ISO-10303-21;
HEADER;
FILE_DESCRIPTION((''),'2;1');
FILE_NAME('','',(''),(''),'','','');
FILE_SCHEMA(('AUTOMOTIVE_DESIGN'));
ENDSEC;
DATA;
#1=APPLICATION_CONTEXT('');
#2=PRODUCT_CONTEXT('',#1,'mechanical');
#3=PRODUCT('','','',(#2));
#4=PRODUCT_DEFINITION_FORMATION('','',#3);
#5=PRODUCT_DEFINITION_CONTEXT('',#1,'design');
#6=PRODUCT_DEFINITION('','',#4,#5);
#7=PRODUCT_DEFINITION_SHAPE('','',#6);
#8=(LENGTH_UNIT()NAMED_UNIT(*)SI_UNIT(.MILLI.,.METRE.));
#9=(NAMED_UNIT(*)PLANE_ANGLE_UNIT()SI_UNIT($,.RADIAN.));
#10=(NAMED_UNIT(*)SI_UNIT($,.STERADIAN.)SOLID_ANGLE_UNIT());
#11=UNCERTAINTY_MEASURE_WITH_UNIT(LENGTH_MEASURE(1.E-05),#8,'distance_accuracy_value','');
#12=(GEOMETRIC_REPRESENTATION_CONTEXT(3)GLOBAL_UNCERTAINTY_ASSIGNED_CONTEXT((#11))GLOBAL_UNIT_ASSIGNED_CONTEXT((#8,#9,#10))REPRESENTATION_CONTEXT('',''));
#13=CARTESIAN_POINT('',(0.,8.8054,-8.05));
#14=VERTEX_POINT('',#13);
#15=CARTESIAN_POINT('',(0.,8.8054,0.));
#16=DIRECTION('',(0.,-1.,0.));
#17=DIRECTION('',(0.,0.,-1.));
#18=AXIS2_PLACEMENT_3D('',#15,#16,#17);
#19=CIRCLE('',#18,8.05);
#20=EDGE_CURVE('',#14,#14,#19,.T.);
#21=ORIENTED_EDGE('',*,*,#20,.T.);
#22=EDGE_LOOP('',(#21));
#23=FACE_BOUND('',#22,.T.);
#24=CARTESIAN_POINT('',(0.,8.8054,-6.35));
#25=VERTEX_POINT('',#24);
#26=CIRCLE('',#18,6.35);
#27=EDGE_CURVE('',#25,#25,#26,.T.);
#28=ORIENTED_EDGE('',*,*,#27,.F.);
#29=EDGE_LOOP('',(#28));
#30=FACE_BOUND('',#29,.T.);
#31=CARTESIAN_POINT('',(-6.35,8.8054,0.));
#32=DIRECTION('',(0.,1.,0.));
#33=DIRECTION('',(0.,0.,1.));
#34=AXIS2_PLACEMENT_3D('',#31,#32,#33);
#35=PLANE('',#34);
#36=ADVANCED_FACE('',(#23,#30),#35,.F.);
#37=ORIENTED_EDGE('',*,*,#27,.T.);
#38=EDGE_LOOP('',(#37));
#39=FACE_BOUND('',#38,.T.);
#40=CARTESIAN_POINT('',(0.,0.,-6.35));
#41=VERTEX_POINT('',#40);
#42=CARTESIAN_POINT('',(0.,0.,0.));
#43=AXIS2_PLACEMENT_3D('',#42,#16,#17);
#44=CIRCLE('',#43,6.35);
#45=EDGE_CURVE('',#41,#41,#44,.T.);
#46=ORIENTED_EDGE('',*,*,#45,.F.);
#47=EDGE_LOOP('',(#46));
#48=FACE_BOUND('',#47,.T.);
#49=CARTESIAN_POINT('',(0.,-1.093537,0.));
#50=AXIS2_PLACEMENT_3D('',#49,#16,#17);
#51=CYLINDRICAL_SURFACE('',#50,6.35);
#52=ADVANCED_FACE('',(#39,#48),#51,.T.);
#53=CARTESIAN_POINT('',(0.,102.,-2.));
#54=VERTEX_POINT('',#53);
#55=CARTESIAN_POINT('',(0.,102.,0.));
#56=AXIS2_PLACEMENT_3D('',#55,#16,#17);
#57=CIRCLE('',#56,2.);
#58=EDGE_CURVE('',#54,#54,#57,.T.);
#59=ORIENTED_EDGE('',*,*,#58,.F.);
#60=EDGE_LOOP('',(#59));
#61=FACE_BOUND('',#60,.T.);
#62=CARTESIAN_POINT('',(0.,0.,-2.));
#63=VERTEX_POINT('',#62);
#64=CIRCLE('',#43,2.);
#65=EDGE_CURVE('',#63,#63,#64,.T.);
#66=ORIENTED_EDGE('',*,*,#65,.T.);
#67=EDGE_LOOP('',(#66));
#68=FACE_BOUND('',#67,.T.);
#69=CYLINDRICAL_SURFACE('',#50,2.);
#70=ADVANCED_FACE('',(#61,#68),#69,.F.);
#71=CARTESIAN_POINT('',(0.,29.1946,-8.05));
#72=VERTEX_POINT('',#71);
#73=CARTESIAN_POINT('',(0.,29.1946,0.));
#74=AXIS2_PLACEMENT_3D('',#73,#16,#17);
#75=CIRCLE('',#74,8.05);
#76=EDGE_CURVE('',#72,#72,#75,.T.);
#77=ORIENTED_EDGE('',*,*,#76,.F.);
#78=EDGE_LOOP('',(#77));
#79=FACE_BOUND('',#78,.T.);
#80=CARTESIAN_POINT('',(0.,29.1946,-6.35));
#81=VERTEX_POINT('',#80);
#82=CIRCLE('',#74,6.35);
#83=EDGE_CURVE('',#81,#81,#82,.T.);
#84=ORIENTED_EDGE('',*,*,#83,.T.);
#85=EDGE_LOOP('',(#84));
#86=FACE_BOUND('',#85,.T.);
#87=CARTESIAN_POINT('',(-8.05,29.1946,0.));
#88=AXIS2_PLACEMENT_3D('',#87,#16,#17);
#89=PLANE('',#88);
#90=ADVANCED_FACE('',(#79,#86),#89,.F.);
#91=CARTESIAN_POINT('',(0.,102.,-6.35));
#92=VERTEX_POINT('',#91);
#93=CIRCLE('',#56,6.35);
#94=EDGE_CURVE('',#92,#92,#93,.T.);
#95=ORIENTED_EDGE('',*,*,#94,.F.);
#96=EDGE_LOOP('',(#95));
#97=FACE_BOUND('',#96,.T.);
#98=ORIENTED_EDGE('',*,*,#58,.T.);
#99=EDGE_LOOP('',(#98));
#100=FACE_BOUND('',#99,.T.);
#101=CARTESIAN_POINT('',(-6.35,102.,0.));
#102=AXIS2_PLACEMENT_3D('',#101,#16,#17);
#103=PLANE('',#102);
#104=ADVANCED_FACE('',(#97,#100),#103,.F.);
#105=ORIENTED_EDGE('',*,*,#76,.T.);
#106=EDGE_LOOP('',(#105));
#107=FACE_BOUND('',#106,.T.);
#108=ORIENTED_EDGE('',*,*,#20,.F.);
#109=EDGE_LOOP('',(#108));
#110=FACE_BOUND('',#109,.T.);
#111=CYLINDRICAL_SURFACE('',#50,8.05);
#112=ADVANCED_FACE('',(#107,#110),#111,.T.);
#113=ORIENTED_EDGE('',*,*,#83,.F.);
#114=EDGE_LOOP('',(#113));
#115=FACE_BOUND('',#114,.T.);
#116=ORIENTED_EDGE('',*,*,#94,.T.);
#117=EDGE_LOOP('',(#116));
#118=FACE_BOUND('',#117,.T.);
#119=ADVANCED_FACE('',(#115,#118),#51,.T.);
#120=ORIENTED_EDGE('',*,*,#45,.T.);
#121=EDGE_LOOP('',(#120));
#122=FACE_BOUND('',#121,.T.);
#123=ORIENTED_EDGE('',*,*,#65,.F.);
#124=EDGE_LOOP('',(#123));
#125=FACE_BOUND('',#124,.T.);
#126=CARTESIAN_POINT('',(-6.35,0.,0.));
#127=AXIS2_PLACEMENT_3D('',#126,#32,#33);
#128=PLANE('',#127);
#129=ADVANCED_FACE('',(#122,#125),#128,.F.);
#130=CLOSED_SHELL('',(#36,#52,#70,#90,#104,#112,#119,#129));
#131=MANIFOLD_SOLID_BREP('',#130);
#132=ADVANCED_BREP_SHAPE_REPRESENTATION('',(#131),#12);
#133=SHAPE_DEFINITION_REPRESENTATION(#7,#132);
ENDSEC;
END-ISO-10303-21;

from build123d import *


with BuildPart() as part:
    # Szkic1 → Obrót2 (revolve)
    with BuildSketch(Plane.XY):
        Polygon((-6.35, 0), (-2, 0), (-2, 102), (-6.35, 102), (-6.35, 29.194600335), (-8.05, 29.194600335), (-8.05, 8.805399665), (-6.35, 8.805399665), align=None)
    revolve(axis=Axis((0, -1.093536861, 0), (0, 1, 0)))


solid = part.part
